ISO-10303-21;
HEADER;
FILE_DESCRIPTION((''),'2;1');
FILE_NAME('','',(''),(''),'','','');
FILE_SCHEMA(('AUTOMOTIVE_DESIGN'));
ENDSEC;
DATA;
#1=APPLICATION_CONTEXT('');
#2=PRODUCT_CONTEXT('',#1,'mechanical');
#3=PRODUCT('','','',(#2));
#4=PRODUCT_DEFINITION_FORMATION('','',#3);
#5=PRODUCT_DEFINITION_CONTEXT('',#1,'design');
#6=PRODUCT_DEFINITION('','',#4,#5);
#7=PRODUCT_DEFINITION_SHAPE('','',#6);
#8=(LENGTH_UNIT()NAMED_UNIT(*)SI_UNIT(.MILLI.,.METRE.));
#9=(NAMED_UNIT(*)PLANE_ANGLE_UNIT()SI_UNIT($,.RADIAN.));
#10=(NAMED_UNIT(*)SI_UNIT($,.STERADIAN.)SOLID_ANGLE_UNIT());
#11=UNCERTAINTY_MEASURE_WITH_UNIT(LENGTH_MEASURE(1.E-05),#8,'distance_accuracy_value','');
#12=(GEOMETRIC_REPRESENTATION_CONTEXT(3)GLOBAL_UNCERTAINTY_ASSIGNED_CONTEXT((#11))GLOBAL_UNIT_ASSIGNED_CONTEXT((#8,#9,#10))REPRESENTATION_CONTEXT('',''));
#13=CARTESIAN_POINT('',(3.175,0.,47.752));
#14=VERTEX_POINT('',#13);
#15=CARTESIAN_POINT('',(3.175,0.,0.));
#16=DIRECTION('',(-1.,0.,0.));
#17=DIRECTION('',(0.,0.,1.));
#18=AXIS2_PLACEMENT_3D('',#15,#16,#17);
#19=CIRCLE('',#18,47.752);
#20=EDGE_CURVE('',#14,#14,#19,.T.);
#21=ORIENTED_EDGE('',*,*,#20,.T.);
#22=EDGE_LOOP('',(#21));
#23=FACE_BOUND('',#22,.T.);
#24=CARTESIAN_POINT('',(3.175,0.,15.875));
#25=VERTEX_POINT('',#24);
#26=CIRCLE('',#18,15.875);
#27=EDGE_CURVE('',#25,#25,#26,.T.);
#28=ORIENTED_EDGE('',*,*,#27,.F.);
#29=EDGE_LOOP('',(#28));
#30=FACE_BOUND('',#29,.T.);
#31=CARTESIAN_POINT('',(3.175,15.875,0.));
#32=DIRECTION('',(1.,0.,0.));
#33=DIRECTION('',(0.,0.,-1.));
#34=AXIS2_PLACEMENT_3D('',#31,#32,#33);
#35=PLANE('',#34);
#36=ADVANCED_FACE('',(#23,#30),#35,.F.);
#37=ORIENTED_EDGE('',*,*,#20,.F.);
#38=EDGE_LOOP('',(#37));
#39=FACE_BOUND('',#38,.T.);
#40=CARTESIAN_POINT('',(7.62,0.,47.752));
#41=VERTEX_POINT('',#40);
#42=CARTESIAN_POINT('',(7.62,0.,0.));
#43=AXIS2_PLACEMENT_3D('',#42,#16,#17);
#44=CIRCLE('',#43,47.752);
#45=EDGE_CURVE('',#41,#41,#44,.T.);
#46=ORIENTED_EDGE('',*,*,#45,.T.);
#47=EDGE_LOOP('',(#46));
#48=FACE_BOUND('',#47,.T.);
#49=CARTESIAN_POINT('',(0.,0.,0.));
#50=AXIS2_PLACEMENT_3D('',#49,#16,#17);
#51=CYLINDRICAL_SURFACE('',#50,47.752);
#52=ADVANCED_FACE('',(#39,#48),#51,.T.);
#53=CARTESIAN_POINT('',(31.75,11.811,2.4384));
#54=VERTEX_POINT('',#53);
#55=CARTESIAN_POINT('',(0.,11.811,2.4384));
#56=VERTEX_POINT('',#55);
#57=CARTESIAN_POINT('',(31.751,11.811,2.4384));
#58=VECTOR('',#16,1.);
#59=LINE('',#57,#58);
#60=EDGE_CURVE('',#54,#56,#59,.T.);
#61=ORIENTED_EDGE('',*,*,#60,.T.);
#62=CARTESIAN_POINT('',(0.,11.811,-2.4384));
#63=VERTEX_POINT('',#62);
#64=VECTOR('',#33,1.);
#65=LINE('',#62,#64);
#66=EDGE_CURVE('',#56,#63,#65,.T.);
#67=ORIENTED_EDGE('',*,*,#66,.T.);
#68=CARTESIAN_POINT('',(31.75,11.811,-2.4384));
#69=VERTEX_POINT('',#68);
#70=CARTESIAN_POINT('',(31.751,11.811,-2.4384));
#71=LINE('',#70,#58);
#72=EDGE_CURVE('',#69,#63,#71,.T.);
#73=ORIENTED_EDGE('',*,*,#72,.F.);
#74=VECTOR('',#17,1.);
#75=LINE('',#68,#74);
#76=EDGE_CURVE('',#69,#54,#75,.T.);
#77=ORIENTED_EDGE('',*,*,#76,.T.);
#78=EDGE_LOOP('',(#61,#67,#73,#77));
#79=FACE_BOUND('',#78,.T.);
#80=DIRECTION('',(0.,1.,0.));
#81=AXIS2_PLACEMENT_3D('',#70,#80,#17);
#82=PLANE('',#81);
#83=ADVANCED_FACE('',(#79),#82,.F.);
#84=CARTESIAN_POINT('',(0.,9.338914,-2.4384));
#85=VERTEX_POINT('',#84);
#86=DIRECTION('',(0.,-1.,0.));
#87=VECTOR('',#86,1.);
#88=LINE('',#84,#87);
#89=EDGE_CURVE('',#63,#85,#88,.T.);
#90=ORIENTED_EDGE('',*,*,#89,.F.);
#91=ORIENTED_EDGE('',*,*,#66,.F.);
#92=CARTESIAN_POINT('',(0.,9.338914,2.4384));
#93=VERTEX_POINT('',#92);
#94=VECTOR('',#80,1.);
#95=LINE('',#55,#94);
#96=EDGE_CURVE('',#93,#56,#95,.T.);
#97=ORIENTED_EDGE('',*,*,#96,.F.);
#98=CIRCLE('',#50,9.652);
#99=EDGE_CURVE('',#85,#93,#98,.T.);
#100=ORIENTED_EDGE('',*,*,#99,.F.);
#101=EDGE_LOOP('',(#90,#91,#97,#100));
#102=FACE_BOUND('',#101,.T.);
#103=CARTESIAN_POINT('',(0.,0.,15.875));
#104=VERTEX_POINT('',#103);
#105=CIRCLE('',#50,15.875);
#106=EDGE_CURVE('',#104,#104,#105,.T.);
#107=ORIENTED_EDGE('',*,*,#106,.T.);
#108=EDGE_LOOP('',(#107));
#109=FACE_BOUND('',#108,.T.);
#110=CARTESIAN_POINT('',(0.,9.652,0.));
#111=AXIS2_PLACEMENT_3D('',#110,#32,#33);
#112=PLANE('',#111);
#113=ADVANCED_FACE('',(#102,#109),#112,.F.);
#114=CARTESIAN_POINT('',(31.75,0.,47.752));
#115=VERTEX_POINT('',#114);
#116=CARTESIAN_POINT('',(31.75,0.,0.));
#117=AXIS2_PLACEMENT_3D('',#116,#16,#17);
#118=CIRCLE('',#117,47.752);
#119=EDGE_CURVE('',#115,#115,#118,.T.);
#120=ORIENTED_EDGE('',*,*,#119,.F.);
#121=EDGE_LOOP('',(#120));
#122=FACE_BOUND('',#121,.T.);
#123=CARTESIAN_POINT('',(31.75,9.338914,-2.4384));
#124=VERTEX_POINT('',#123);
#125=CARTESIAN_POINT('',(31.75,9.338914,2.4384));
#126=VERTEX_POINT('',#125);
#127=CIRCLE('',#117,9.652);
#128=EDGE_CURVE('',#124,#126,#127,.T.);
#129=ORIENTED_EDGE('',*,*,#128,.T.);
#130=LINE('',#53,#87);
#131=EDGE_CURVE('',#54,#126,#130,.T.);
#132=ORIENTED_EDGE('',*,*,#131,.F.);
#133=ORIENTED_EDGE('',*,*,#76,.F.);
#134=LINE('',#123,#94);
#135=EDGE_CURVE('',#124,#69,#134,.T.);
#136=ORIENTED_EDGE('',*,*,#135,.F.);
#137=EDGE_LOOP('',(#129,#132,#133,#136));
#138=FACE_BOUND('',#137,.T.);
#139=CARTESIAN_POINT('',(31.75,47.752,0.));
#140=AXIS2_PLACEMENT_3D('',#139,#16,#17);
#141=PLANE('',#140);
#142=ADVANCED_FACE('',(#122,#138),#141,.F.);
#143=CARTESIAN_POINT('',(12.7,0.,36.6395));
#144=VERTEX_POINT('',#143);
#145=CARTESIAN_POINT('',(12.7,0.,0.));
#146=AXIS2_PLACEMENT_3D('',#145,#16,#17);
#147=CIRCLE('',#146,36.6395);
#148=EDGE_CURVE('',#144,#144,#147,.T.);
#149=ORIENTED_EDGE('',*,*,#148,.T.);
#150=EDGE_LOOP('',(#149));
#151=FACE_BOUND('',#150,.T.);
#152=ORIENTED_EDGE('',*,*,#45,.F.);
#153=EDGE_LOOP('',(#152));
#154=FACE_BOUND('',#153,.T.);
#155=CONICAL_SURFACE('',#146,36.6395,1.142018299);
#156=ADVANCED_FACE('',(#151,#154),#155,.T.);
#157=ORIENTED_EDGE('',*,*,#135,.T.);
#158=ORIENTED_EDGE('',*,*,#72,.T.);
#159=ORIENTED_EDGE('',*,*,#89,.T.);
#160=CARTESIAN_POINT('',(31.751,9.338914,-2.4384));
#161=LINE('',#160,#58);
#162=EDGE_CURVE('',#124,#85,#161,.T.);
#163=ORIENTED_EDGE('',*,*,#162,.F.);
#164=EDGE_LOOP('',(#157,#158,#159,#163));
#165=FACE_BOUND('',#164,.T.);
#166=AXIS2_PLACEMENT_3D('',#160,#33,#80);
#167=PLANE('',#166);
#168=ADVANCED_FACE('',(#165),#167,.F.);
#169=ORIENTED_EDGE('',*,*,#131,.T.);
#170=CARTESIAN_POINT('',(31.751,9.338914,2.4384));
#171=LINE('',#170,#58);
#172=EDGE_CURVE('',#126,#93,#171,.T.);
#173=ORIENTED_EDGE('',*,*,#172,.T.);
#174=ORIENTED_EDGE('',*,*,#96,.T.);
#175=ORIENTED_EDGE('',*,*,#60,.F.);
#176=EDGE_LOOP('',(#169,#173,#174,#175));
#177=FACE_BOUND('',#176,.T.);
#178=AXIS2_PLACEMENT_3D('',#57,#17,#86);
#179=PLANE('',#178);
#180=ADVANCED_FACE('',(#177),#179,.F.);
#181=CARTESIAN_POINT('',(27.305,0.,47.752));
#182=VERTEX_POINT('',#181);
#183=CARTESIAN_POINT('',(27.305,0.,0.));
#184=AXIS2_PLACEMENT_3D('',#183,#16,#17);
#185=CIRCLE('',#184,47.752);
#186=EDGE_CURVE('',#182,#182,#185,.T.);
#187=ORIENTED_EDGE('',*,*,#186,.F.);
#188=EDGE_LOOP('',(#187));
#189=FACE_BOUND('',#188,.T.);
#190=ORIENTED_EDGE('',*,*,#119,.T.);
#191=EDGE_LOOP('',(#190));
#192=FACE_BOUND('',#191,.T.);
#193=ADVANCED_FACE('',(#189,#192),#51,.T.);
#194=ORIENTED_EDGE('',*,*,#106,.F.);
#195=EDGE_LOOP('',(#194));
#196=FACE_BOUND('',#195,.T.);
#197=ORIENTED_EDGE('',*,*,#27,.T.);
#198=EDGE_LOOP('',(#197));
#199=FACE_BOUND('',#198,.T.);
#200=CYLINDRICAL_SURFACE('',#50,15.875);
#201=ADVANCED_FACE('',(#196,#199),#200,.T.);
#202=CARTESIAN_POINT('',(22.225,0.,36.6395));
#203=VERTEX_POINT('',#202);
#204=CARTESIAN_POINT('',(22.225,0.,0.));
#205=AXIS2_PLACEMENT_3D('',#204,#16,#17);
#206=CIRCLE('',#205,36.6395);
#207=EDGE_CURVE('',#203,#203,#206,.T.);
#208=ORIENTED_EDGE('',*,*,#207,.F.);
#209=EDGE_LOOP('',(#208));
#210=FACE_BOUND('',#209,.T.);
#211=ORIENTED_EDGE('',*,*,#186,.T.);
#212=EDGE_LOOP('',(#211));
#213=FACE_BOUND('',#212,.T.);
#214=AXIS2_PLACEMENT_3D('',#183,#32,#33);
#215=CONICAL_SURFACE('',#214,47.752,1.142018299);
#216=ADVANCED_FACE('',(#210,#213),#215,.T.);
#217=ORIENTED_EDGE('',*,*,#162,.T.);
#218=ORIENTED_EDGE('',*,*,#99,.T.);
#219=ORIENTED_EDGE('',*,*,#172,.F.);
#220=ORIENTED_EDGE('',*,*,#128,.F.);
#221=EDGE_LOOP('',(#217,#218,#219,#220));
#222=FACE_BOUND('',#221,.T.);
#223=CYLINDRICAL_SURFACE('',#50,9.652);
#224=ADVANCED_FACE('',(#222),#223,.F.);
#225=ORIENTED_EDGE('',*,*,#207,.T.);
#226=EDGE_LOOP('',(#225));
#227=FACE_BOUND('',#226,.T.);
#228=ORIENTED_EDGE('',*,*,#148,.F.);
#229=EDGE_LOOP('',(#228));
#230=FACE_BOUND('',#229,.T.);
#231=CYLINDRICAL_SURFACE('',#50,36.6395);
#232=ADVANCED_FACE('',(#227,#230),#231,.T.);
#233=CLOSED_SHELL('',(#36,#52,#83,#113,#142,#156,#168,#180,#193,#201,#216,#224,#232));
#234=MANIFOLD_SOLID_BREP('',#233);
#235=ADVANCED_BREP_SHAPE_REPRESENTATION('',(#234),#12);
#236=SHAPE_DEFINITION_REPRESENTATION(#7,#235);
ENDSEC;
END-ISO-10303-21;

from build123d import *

# Parameters (mm, degrees)
CUT_EXTRUDE1_REACH = 76.623


with BuildPart() as part:
    # Sketch1 → Revolve1 (revolve)
    with BuildSketch(Plane.XY, mode=Mode.PRIVATE) as revolve1_sk:
        Polygon((31.75, 9.652), (0, 9.652), (0, 15.875), (3.175, 15.875), (3.175, 47.752), (7.62, 47.752), (12.7, 36.6395), (22.225, 36.6395), (27.305, 47.752), (31.75, 47.752), align=None)
    revolve(revolve1_sk.sketch.rotate(Axis((0, 0, 0), (1, 0, 0)), 90), axis=Axis((0, 0, 0), (1, 0, 0)))

    # Sketch2 → Cut-Extrude1 (cut, up to next)
    with BuildSketch(Plane.ZY, mode=Mode.PRIVATE) as cut_extrude1_sk1:
        with BuildLine():
            Line((-2.4384, 9.338913718), (-2.4384, 11.811))
            Line((-2.4384, 11.811), (2.4384, 11.811))
            Line((2.4384, 11.811), (2.4384, 9.338913718))
            ThreePointArc((2.4384, 9.338913718), (0, 9.652), (-2.4384, 9.338913718))
        make_face()
    cut_extrude1_tool1 = extrude(cut_extrude1_sk1.sketch, amount=-CUT_EXTRUDE1_REACH, mode=Mode.PRIVATE) & part.part
    add(cut_extrude1_tool1.solids().sort_by_distance((0, 10.677746, 0))[0], mode=Mode.SUBTRACT)


solid = part.part
